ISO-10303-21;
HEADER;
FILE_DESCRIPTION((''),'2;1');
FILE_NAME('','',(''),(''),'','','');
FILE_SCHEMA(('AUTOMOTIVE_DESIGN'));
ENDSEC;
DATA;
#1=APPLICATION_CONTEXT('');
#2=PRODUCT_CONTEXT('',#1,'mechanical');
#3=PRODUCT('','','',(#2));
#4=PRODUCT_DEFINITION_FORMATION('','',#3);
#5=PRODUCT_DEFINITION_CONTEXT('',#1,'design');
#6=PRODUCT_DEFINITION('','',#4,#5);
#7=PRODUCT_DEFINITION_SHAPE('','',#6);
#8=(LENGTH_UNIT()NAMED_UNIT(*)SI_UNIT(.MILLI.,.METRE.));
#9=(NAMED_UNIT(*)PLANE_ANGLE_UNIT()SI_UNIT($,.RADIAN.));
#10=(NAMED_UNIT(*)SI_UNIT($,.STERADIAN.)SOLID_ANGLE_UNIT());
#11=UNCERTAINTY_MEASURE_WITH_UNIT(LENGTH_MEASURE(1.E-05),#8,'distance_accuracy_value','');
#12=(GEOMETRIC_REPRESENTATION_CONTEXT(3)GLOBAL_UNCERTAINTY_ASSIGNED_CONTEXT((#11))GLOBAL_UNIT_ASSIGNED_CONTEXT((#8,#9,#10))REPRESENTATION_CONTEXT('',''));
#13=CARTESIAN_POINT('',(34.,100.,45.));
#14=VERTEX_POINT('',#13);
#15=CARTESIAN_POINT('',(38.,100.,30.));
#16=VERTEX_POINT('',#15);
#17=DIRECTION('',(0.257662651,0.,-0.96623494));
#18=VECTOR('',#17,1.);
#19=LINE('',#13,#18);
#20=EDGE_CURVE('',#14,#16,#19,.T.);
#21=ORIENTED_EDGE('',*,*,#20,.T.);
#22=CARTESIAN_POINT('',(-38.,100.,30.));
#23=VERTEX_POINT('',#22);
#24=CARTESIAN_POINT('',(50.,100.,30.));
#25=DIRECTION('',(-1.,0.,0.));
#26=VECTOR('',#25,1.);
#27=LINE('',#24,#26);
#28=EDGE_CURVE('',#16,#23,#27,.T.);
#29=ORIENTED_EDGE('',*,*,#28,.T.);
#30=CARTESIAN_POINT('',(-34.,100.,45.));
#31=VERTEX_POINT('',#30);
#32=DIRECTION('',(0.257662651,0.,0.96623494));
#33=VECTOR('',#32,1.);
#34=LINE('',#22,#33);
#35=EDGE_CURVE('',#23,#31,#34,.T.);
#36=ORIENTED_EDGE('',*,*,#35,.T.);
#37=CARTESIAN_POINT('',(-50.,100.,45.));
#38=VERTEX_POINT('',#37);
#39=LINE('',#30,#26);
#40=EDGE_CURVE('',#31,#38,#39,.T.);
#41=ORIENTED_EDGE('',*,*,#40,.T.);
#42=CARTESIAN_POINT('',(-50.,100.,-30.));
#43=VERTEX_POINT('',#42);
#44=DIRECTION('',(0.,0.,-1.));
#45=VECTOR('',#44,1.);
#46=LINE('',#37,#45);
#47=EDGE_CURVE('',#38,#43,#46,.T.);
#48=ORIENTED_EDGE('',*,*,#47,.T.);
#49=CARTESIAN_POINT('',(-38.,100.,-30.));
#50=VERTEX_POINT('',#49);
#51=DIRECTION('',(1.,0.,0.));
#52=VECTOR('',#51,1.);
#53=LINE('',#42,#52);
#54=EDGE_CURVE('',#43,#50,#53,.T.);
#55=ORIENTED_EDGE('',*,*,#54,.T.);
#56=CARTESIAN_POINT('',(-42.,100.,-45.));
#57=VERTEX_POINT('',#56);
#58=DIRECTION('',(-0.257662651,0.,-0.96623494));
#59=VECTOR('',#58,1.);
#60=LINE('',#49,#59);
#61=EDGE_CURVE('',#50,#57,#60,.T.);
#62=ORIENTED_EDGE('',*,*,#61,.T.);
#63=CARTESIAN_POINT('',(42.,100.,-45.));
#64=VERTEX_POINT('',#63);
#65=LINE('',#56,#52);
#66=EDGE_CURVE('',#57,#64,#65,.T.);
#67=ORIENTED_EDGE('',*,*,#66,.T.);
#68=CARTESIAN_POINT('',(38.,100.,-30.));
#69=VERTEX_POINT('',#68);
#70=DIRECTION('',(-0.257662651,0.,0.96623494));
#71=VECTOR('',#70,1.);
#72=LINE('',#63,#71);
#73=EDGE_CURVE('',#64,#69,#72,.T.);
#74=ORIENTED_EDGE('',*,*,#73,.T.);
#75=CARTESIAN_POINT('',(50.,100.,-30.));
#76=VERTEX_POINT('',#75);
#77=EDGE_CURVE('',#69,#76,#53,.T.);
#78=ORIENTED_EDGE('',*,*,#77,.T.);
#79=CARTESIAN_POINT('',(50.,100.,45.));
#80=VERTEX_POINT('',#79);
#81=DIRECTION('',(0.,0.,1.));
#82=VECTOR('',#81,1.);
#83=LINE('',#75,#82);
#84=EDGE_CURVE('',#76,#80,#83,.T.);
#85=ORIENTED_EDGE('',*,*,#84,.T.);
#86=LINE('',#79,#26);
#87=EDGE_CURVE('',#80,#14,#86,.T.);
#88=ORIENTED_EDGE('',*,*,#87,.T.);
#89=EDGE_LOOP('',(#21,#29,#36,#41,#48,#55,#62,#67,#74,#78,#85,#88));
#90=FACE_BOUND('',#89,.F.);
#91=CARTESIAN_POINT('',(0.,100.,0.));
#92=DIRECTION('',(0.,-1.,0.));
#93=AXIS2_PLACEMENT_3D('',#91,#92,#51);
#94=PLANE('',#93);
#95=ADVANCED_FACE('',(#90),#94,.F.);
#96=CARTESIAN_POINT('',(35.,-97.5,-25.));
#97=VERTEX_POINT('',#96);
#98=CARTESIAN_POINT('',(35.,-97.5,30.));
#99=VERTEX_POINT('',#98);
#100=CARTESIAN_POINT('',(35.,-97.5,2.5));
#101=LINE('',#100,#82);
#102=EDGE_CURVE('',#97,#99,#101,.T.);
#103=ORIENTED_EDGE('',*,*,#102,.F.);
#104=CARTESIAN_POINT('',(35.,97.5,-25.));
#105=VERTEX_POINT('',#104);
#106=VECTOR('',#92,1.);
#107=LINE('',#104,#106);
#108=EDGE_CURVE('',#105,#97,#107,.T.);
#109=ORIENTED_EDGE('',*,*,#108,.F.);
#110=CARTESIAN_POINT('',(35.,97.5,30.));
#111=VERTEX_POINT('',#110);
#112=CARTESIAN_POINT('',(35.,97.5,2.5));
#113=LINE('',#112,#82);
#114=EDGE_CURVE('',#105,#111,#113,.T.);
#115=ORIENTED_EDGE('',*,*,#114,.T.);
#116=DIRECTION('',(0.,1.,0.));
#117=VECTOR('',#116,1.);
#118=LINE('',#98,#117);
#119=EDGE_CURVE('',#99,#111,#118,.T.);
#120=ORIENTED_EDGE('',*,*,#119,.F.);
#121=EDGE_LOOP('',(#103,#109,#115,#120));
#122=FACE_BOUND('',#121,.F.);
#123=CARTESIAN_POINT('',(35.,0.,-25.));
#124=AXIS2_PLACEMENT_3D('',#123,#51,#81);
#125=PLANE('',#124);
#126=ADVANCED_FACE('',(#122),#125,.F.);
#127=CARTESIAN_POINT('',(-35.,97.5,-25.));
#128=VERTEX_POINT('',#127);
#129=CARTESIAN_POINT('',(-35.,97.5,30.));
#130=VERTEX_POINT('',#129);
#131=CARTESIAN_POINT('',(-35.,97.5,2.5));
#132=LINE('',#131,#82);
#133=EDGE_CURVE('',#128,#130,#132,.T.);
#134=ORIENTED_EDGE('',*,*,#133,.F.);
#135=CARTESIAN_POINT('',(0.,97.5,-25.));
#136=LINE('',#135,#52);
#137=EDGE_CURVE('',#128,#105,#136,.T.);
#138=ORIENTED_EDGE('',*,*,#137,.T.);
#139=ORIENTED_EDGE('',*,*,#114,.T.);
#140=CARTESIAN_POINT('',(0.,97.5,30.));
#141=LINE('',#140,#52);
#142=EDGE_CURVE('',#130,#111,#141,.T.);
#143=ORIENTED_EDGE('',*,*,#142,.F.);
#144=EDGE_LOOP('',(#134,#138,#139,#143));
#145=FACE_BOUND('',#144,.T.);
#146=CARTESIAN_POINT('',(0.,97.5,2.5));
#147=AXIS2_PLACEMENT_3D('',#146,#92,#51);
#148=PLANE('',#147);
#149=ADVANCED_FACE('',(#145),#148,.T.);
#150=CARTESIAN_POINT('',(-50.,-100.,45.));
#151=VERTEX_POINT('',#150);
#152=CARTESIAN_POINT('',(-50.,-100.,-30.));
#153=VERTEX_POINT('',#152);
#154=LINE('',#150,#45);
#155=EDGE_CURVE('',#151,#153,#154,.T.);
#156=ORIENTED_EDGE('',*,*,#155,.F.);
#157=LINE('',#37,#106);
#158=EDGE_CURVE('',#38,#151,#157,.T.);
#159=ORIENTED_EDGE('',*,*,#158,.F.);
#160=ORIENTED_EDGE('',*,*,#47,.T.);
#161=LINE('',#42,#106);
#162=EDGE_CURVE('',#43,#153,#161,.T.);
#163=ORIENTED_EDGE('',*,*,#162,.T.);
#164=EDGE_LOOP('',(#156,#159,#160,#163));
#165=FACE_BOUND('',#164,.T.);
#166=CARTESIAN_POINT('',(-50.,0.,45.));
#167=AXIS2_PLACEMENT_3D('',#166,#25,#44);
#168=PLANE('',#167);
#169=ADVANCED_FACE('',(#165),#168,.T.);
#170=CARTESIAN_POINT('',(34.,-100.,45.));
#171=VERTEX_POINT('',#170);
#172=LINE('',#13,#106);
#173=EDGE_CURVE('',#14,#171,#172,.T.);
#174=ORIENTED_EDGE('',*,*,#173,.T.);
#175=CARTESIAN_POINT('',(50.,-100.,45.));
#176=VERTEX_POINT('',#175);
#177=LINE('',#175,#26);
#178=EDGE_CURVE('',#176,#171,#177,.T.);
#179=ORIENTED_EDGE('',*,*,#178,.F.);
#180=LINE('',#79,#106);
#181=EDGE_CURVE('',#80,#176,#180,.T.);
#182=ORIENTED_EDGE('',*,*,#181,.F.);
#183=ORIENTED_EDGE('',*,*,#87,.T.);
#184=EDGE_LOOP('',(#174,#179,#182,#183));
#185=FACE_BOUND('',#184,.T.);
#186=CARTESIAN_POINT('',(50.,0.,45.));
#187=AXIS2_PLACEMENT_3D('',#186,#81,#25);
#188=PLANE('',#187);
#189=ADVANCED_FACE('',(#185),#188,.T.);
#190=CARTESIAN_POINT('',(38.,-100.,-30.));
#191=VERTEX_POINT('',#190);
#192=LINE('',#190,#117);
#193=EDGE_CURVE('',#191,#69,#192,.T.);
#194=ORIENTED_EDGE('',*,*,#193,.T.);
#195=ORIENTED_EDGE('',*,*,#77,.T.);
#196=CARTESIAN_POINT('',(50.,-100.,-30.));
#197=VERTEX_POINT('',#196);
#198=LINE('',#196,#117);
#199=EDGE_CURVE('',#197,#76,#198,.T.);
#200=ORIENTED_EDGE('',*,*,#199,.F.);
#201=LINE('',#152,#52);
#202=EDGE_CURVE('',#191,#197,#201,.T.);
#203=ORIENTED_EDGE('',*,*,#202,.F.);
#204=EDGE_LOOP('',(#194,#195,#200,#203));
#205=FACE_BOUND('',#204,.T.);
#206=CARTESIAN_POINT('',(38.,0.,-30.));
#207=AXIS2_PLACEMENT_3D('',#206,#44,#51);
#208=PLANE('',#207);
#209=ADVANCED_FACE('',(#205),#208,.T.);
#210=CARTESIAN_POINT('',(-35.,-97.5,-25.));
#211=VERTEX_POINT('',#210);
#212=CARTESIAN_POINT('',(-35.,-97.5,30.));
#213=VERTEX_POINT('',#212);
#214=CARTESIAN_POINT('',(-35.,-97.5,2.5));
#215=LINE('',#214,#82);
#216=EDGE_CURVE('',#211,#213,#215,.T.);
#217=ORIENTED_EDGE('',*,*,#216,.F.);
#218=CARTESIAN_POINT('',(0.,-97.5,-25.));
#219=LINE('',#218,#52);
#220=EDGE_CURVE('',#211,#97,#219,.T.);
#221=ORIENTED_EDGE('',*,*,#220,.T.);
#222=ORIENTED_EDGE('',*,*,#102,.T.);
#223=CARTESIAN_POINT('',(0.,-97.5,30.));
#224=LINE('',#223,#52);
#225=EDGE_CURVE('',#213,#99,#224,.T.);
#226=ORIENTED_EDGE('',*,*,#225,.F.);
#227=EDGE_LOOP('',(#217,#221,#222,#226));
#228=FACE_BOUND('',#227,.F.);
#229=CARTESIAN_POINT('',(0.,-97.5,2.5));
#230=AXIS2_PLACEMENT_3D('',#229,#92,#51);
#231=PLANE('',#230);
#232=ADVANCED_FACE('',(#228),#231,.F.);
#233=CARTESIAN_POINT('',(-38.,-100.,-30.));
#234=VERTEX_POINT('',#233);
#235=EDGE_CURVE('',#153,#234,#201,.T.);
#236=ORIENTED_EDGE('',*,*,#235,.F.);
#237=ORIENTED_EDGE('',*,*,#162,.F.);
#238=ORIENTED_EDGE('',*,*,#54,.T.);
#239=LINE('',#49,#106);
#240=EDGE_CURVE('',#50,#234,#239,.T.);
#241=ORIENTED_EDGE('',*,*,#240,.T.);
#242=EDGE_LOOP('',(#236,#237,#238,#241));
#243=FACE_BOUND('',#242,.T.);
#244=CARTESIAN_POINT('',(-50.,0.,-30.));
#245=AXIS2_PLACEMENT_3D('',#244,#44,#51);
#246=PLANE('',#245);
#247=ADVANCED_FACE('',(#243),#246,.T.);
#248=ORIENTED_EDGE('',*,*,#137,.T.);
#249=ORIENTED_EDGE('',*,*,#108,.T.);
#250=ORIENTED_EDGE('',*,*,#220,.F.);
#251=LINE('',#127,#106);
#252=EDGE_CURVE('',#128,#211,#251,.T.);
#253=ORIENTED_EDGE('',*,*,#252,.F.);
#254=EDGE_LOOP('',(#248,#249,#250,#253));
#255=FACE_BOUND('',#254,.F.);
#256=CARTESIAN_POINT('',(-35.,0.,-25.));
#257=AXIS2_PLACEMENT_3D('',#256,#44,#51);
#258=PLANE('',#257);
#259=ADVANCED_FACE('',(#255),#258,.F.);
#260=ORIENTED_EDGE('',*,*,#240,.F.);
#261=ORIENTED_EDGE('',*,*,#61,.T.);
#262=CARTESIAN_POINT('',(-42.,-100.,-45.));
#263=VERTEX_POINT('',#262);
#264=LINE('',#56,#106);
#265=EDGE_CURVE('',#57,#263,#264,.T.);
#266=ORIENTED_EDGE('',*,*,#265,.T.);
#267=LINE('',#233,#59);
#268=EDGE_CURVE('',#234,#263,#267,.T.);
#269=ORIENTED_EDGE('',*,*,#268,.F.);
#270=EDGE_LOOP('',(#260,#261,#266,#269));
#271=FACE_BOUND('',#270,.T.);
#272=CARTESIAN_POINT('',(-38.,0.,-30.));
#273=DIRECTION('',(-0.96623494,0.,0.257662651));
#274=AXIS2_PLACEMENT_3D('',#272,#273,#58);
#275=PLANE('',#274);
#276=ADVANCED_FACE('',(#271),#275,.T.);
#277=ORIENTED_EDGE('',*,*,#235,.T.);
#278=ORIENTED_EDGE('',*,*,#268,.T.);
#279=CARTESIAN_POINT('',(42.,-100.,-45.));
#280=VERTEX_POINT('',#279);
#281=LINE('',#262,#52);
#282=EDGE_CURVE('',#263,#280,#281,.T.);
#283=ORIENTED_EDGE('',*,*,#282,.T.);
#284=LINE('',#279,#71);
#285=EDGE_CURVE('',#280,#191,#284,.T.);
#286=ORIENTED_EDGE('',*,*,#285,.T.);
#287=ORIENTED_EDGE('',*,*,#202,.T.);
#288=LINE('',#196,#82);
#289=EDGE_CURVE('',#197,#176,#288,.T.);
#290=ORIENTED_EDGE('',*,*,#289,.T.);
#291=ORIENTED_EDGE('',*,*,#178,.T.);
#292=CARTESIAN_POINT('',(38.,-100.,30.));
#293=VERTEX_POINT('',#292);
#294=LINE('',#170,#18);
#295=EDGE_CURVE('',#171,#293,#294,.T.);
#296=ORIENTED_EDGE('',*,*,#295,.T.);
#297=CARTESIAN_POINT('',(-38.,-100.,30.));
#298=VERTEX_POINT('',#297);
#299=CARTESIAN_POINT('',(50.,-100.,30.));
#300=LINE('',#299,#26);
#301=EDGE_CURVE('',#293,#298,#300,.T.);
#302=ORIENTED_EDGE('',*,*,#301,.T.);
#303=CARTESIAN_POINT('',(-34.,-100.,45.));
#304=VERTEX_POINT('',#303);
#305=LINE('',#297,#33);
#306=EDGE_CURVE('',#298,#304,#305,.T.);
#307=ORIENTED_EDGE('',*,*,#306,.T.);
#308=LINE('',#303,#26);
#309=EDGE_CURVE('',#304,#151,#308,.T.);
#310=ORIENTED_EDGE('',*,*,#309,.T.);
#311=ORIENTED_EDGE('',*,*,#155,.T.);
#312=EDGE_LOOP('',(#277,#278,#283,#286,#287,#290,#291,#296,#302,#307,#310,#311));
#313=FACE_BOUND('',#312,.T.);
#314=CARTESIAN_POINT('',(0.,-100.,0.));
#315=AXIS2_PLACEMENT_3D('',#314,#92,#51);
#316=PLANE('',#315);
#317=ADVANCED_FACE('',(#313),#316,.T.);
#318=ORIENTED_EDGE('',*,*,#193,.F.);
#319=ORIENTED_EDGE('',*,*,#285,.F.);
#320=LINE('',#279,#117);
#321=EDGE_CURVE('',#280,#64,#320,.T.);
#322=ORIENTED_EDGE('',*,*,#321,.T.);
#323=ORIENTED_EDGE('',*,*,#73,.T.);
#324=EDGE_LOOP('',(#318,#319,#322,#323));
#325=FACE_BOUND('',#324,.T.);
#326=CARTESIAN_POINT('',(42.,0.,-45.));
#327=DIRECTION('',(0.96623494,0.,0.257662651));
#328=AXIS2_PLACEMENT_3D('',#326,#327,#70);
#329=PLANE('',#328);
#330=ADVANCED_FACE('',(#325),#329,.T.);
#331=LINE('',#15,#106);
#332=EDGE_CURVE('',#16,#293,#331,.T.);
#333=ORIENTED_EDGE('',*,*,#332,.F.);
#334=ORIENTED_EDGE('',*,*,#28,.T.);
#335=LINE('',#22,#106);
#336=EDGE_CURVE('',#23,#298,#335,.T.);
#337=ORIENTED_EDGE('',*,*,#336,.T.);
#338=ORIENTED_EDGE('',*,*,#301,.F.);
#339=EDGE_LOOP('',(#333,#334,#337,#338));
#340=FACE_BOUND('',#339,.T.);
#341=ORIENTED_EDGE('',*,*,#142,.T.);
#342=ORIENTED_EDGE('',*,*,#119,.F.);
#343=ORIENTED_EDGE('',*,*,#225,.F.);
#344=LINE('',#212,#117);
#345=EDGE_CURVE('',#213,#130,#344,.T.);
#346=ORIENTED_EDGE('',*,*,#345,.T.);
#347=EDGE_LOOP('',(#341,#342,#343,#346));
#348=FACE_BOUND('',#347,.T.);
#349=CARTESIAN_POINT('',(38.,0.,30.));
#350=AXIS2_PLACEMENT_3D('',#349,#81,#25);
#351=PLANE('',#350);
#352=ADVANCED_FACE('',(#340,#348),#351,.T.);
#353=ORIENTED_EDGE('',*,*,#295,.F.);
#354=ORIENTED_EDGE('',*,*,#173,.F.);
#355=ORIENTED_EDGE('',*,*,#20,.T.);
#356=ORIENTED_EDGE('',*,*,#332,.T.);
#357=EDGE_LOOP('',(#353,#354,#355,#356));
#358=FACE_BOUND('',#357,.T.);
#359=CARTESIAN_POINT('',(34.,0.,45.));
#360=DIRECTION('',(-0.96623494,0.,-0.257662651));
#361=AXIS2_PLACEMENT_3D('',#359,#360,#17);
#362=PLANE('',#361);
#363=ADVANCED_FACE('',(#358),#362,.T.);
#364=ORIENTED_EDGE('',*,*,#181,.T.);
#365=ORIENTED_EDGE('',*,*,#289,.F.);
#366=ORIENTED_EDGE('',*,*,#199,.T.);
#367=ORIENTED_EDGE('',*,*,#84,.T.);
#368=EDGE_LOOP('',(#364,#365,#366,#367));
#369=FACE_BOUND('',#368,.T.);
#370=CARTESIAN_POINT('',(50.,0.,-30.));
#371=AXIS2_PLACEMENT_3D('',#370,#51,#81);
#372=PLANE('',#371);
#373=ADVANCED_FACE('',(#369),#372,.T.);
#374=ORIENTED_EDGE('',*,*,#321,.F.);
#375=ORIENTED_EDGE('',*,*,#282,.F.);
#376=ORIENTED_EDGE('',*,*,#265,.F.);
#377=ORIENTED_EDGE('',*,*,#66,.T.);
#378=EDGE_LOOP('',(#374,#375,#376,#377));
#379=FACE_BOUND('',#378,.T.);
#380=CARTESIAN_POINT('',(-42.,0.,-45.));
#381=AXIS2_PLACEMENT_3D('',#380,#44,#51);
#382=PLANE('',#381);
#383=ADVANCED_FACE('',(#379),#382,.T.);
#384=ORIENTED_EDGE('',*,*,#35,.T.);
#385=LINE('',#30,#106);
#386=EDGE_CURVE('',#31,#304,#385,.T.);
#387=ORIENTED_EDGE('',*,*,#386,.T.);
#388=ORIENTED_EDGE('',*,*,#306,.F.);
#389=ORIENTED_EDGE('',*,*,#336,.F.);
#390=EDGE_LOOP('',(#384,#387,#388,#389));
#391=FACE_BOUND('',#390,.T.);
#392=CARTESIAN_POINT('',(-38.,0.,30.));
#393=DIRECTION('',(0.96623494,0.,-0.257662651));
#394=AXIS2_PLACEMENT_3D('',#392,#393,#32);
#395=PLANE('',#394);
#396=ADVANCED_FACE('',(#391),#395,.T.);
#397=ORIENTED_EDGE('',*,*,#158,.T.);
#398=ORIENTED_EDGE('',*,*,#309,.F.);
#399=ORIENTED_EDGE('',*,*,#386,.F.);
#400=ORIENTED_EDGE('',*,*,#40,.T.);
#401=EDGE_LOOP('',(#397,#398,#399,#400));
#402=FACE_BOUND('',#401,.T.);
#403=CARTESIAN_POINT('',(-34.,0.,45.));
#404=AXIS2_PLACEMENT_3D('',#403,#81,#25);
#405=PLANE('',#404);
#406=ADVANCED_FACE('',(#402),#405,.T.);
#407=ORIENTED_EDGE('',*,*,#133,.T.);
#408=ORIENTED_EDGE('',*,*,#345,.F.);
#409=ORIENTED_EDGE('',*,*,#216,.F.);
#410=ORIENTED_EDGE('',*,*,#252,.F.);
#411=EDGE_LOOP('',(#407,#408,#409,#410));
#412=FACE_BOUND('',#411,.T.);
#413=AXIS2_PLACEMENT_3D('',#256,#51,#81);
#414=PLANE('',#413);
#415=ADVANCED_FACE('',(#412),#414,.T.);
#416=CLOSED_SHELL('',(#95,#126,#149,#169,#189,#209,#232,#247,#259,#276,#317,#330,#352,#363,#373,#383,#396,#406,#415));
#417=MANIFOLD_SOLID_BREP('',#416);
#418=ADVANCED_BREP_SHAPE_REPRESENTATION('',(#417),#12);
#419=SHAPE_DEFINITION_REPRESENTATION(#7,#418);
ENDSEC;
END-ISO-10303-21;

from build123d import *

# Parameters (mm, degrees)
F1_DEPTH = 100
F2_W     = 70
F2_H     = 55
F3_DEPTH = 97.5


with BuildPart() as f1:
    # F0 (on Front) → F1 (new body, symmetric)
    with BuildSketch(Plane.XZ):
        Polygon((50, -30), (50, 30), (38, 30), (-38, 30), (-50, 30), (-50, -30), (-38, -30), (38, -30), align=None)
        Polygon((38, 30), (50, 30), (50, 45), (34, 45), align=None)
        Polygon((-50, 30), (-38, 30), (-34, 45), (-50, 45), align=None)
        Polygon((42, -45), (38, -30), (-38, -30), (-42, -45), align=None)
    extrude(amount=F1_DEPTH, both=True)

    # F2 (on Front) → F3 (cut, symmetric)
    with BuildSketch(Plane.XZ):
        with Locations((0, 2.5)):
            Rectangle(F2_W, F2_H)
    extrude(amount=F3_DEPTH, both=True, mode=Mode.SUBTRACT)


solid = f1.part
